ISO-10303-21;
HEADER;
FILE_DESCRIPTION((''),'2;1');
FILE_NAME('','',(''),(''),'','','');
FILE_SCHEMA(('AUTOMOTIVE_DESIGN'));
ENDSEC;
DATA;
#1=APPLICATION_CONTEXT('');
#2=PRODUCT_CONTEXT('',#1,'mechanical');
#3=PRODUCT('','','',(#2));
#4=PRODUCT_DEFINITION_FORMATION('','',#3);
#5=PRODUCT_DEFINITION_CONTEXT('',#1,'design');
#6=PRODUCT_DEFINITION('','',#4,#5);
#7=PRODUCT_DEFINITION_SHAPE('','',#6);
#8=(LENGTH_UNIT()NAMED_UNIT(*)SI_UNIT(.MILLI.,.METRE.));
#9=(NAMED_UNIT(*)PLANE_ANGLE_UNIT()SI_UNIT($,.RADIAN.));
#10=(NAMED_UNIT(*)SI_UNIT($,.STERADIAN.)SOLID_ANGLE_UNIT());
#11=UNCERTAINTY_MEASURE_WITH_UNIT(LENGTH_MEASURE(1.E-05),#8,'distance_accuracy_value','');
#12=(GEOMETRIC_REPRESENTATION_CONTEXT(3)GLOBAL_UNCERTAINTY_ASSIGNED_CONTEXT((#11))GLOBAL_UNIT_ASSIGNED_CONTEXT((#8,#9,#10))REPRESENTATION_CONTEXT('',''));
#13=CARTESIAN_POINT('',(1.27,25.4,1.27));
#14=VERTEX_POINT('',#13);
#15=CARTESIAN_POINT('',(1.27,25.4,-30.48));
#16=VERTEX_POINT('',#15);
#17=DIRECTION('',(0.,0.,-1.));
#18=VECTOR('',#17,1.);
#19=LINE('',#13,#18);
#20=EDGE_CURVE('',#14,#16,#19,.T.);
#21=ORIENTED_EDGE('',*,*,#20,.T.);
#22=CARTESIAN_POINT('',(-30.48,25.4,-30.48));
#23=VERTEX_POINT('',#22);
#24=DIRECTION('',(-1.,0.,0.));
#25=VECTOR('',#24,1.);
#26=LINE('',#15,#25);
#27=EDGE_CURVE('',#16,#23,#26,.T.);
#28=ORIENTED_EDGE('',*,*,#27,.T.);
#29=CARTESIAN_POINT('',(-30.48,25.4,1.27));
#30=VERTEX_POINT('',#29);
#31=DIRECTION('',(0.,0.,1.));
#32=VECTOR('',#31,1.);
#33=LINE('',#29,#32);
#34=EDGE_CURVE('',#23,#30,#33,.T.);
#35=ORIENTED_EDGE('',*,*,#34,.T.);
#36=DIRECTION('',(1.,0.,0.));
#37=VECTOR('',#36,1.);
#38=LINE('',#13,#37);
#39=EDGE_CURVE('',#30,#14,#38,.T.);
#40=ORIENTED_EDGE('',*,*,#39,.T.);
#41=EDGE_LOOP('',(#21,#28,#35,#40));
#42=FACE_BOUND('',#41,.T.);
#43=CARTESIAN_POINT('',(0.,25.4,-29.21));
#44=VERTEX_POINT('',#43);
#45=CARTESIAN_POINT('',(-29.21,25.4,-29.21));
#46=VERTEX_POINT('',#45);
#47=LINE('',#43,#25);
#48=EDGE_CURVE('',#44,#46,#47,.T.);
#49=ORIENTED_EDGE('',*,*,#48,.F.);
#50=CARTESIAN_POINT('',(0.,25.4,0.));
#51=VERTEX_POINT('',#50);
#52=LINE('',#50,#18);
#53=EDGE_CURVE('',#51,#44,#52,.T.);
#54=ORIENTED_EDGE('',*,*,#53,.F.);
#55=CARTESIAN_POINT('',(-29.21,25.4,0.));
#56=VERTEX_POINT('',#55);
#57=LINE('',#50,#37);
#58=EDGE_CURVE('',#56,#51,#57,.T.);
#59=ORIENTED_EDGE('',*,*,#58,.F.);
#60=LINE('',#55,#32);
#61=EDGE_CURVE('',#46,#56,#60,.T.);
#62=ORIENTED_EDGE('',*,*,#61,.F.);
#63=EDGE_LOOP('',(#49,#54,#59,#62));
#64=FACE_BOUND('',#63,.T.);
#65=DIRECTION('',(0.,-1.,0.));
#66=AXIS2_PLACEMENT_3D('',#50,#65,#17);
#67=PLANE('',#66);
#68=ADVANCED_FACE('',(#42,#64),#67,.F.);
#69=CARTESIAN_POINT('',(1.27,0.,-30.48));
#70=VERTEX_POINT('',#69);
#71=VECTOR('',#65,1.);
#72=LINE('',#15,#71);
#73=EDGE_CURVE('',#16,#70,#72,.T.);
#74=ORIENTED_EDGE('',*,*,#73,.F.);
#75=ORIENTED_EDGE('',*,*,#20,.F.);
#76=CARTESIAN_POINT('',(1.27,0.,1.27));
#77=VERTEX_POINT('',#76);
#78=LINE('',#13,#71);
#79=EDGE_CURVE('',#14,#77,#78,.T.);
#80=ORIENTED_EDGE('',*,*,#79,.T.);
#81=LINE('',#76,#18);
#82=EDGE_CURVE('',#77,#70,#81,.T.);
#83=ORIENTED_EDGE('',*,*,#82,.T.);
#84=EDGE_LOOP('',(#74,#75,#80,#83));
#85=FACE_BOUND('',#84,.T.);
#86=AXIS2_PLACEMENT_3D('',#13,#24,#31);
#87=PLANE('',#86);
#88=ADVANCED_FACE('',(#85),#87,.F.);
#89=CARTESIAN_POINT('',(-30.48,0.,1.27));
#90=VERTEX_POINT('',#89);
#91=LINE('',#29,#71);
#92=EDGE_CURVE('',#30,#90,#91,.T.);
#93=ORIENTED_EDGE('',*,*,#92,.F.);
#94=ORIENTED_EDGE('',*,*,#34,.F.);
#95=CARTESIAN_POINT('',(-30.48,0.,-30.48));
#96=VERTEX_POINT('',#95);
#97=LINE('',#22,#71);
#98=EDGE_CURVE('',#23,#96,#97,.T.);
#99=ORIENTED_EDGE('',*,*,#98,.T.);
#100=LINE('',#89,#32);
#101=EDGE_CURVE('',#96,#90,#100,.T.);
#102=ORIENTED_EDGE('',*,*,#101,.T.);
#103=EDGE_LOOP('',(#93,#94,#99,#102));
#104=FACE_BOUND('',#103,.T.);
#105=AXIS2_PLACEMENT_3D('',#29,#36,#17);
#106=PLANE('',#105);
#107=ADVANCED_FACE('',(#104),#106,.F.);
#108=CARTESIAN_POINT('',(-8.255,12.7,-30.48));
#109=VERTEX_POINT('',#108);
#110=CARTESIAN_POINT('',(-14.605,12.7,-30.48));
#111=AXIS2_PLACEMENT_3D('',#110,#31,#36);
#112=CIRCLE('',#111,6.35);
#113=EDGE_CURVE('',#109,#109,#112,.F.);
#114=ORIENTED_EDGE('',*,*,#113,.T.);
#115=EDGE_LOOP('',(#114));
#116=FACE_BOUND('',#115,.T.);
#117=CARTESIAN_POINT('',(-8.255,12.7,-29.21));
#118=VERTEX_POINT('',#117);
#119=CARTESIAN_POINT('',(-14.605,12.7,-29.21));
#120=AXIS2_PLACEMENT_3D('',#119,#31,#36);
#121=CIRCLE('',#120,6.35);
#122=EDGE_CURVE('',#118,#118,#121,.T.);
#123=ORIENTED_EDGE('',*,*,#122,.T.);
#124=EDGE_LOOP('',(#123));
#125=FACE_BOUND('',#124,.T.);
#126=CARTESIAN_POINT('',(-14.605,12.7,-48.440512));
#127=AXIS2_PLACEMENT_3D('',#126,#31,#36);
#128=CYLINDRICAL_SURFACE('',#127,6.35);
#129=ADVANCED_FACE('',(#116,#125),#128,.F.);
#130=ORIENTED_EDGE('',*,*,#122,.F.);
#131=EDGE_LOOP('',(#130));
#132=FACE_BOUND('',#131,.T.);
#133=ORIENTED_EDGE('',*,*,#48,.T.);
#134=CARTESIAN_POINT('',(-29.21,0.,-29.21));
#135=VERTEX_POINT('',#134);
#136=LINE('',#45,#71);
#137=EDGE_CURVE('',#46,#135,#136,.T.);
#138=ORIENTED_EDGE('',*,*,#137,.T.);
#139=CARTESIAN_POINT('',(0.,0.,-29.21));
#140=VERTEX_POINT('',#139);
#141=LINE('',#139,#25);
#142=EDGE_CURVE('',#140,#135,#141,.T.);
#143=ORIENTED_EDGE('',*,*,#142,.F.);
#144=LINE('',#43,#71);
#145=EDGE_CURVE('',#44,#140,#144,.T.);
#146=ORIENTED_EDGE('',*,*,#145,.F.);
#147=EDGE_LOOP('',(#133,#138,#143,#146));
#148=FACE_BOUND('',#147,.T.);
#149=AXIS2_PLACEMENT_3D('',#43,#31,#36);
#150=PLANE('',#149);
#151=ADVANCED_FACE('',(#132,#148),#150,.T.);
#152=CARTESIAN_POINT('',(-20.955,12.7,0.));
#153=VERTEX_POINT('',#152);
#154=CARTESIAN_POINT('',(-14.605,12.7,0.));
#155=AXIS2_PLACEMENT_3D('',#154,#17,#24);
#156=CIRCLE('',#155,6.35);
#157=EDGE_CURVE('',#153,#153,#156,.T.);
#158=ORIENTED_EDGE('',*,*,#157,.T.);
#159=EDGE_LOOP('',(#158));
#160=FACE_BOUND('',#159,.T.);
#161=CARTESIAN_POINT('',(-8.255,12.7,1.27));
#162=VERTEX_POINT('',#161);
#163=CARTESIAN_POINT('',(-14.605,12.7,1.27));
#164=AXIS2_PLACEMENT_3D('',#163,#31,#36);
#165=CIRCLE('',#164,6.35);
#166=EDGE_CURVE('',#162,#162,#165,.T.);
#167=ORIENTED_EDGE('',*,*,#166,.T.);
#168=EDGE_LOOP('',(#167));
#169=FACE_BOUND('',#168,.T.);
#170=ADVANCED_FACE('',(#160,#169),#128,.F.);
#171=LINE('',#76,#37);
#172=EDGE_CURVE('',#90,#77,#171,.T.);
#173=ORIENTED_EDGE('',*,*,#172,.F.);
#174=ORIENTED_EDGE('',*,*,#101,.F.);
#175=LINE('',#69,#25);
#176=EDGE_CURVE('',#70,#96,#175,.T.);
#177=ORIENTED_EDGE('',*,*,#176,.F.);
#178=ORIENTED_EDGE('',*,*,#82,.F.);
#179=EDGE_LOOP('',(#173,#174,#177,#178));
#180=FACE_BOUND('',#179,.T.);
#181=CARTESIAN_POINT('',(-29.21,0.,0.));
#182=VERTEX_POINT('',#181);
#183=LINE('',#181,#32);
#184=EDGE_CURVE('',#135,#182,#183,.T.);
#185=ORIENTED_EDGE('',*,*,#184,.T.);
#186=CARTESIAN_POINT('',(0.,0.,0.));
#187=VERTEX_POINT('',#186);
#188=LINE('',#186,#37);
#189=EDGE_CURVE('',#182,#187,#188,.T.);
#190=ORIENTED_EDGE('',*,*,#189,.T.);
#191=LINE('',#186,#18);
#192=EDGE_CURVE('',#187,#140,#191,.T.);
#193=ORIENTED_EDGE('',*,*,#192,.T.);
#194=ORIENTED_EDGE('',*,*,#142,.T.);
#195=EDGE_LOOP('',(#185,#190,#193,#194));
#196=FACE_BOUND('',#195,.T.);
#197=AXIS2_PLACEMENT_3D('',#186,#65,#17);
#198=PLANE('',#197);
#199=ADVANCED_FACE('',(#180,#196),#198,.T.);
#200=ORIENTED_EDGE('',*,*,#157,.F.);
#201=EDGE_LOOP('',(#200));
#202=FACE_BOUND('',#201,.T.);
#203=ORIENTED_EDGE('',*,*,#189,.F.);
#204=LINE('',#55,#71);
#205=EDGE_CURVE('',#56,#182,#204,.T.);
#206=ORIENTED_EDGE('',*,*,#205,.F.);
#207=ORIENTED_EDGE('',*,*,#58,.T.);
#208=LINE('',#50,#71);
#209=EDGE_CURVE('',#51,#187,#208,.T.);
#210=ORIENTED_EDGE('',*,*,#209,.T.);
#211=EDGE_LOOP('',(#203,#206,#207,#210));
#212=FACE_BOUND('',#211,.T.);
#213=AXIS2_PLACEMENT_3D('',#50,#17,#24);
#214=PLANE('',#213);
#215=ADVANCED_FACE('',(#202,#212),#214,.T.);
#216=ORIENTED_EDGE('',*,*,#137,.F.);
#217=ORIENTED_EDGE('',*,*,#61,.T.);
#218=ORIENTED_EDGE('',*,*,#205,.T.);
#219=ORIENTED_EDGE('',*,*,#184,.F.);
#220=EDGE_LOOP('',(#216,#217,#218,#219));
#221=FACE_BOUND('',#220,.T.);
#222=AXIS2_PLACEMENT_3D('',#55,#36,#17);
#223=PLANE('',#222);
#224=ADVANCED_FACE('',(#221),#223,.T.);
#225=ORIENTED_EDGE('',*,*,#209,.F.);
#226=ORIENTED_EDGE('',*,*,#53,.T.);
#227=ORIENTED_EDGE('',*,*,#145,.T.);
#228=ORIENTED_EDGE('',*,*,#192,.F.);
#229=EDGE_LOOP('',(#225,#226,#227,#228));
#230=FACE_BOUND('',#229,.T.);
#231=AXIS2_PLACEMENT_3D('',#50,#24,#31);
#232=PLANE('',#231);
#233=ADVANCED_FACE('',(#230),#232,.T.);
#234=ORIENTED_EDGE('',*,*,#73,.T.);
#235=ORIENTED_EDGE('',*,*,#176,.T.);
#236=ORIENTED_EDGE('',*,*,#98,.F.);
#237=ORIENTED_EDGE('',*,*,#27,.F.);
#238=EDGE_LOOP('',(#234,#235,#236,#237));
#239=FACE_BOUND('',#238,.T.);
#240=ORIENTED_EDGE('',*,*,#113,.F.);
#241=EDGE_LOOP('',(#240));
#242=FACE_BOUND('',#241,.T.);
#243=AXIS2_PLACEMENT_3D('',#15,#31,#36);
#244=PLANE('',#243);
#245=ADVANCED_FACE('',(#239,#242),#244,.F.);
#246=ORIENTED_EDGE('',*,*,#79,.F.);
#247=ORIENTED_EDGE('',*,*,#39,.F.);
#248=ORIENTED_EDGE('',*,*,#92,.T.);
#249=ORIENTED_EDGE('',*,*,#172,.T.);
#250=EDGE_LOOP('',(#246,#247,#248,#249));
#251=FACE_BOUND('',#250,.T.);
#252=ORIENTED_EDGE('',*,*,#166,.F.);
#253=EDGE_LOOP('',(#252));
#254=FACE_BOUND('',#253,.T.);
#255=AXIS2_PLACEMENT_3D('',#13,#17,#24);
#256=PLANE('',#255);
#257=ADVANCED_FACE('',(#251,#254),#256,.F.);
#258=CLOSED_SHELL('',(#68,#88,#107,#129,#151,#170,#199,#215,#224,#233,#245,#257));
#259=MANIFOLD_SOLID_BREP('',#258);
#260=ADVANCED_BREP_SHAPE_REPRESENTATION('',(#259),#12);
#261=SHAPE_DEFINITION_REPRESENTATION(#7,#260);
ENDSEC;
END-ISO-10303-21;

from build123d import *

# Parameters (mm, degrees)
SKETCH1_W           = 31.75
SKETCH1_H           = 31.75
SKETCH1_W_2         = 29.21
SKETCH1_H_2         = 29.21
BOSS_EXTRUDE1_DEPTH = 25.4
CUT_EXTRUDE1_REACH  = 52.816
SKETCH2_R           = 6.35


with BuildPart() as part:
    # Sketch1 → Boss-Extrude1 (new body)
    with BuildSketch(Plane(origin=(0, 0, 0), x_dir=(1, 0, 0), z_dir=(0, 1, 0))):
        with Locations((-14.605, 14.605)):
            Rectangle(SKETCH1_W, SKETCH1_H)
        with Locations((-14.605, 14.605)):
            Rectangle(SKETCH1_W_2, SKETCH1_H_2, mode=Mode.SUBTRACT)
    extrude(amount=BOSS_EXTRUDE1_DEPTH)

    # Cut-Extrude1: up to this face of the body (flat: up to its plane)
    cut_extrude1_end = Plane(part.part.faces().sort_by_distance((-14.605, 12.7, -30.48))[0])
    # Sketch2 → Cut-Extrude1 (cut, up to the picked face)
    with BuildSketch(Plane.XY.offset(1.27), mode=Mode.PRIVATE) as cut_extrude1_sk1:
        with Locations((-14.605, 12.7)):
            Circle(SKETCH2_R)
    cut_extrude1_tool1 = split(extrude(cut_extrude1_sk1.sketch, amount=-CUT_EXTRUDE1_REACH, mode=Mode.PRIVATE), bisect_by=cut_extrude1_end, keep=Keep.BOTH, mode=Mode.PRIVATE)
    add(cut_extrude1_tool1.solids().sort_by(Axis((-14.605, 12.7, 1.27), (0, 0, -1)))[0], mode=Mode.SUBTRACT)


solid = part.part
